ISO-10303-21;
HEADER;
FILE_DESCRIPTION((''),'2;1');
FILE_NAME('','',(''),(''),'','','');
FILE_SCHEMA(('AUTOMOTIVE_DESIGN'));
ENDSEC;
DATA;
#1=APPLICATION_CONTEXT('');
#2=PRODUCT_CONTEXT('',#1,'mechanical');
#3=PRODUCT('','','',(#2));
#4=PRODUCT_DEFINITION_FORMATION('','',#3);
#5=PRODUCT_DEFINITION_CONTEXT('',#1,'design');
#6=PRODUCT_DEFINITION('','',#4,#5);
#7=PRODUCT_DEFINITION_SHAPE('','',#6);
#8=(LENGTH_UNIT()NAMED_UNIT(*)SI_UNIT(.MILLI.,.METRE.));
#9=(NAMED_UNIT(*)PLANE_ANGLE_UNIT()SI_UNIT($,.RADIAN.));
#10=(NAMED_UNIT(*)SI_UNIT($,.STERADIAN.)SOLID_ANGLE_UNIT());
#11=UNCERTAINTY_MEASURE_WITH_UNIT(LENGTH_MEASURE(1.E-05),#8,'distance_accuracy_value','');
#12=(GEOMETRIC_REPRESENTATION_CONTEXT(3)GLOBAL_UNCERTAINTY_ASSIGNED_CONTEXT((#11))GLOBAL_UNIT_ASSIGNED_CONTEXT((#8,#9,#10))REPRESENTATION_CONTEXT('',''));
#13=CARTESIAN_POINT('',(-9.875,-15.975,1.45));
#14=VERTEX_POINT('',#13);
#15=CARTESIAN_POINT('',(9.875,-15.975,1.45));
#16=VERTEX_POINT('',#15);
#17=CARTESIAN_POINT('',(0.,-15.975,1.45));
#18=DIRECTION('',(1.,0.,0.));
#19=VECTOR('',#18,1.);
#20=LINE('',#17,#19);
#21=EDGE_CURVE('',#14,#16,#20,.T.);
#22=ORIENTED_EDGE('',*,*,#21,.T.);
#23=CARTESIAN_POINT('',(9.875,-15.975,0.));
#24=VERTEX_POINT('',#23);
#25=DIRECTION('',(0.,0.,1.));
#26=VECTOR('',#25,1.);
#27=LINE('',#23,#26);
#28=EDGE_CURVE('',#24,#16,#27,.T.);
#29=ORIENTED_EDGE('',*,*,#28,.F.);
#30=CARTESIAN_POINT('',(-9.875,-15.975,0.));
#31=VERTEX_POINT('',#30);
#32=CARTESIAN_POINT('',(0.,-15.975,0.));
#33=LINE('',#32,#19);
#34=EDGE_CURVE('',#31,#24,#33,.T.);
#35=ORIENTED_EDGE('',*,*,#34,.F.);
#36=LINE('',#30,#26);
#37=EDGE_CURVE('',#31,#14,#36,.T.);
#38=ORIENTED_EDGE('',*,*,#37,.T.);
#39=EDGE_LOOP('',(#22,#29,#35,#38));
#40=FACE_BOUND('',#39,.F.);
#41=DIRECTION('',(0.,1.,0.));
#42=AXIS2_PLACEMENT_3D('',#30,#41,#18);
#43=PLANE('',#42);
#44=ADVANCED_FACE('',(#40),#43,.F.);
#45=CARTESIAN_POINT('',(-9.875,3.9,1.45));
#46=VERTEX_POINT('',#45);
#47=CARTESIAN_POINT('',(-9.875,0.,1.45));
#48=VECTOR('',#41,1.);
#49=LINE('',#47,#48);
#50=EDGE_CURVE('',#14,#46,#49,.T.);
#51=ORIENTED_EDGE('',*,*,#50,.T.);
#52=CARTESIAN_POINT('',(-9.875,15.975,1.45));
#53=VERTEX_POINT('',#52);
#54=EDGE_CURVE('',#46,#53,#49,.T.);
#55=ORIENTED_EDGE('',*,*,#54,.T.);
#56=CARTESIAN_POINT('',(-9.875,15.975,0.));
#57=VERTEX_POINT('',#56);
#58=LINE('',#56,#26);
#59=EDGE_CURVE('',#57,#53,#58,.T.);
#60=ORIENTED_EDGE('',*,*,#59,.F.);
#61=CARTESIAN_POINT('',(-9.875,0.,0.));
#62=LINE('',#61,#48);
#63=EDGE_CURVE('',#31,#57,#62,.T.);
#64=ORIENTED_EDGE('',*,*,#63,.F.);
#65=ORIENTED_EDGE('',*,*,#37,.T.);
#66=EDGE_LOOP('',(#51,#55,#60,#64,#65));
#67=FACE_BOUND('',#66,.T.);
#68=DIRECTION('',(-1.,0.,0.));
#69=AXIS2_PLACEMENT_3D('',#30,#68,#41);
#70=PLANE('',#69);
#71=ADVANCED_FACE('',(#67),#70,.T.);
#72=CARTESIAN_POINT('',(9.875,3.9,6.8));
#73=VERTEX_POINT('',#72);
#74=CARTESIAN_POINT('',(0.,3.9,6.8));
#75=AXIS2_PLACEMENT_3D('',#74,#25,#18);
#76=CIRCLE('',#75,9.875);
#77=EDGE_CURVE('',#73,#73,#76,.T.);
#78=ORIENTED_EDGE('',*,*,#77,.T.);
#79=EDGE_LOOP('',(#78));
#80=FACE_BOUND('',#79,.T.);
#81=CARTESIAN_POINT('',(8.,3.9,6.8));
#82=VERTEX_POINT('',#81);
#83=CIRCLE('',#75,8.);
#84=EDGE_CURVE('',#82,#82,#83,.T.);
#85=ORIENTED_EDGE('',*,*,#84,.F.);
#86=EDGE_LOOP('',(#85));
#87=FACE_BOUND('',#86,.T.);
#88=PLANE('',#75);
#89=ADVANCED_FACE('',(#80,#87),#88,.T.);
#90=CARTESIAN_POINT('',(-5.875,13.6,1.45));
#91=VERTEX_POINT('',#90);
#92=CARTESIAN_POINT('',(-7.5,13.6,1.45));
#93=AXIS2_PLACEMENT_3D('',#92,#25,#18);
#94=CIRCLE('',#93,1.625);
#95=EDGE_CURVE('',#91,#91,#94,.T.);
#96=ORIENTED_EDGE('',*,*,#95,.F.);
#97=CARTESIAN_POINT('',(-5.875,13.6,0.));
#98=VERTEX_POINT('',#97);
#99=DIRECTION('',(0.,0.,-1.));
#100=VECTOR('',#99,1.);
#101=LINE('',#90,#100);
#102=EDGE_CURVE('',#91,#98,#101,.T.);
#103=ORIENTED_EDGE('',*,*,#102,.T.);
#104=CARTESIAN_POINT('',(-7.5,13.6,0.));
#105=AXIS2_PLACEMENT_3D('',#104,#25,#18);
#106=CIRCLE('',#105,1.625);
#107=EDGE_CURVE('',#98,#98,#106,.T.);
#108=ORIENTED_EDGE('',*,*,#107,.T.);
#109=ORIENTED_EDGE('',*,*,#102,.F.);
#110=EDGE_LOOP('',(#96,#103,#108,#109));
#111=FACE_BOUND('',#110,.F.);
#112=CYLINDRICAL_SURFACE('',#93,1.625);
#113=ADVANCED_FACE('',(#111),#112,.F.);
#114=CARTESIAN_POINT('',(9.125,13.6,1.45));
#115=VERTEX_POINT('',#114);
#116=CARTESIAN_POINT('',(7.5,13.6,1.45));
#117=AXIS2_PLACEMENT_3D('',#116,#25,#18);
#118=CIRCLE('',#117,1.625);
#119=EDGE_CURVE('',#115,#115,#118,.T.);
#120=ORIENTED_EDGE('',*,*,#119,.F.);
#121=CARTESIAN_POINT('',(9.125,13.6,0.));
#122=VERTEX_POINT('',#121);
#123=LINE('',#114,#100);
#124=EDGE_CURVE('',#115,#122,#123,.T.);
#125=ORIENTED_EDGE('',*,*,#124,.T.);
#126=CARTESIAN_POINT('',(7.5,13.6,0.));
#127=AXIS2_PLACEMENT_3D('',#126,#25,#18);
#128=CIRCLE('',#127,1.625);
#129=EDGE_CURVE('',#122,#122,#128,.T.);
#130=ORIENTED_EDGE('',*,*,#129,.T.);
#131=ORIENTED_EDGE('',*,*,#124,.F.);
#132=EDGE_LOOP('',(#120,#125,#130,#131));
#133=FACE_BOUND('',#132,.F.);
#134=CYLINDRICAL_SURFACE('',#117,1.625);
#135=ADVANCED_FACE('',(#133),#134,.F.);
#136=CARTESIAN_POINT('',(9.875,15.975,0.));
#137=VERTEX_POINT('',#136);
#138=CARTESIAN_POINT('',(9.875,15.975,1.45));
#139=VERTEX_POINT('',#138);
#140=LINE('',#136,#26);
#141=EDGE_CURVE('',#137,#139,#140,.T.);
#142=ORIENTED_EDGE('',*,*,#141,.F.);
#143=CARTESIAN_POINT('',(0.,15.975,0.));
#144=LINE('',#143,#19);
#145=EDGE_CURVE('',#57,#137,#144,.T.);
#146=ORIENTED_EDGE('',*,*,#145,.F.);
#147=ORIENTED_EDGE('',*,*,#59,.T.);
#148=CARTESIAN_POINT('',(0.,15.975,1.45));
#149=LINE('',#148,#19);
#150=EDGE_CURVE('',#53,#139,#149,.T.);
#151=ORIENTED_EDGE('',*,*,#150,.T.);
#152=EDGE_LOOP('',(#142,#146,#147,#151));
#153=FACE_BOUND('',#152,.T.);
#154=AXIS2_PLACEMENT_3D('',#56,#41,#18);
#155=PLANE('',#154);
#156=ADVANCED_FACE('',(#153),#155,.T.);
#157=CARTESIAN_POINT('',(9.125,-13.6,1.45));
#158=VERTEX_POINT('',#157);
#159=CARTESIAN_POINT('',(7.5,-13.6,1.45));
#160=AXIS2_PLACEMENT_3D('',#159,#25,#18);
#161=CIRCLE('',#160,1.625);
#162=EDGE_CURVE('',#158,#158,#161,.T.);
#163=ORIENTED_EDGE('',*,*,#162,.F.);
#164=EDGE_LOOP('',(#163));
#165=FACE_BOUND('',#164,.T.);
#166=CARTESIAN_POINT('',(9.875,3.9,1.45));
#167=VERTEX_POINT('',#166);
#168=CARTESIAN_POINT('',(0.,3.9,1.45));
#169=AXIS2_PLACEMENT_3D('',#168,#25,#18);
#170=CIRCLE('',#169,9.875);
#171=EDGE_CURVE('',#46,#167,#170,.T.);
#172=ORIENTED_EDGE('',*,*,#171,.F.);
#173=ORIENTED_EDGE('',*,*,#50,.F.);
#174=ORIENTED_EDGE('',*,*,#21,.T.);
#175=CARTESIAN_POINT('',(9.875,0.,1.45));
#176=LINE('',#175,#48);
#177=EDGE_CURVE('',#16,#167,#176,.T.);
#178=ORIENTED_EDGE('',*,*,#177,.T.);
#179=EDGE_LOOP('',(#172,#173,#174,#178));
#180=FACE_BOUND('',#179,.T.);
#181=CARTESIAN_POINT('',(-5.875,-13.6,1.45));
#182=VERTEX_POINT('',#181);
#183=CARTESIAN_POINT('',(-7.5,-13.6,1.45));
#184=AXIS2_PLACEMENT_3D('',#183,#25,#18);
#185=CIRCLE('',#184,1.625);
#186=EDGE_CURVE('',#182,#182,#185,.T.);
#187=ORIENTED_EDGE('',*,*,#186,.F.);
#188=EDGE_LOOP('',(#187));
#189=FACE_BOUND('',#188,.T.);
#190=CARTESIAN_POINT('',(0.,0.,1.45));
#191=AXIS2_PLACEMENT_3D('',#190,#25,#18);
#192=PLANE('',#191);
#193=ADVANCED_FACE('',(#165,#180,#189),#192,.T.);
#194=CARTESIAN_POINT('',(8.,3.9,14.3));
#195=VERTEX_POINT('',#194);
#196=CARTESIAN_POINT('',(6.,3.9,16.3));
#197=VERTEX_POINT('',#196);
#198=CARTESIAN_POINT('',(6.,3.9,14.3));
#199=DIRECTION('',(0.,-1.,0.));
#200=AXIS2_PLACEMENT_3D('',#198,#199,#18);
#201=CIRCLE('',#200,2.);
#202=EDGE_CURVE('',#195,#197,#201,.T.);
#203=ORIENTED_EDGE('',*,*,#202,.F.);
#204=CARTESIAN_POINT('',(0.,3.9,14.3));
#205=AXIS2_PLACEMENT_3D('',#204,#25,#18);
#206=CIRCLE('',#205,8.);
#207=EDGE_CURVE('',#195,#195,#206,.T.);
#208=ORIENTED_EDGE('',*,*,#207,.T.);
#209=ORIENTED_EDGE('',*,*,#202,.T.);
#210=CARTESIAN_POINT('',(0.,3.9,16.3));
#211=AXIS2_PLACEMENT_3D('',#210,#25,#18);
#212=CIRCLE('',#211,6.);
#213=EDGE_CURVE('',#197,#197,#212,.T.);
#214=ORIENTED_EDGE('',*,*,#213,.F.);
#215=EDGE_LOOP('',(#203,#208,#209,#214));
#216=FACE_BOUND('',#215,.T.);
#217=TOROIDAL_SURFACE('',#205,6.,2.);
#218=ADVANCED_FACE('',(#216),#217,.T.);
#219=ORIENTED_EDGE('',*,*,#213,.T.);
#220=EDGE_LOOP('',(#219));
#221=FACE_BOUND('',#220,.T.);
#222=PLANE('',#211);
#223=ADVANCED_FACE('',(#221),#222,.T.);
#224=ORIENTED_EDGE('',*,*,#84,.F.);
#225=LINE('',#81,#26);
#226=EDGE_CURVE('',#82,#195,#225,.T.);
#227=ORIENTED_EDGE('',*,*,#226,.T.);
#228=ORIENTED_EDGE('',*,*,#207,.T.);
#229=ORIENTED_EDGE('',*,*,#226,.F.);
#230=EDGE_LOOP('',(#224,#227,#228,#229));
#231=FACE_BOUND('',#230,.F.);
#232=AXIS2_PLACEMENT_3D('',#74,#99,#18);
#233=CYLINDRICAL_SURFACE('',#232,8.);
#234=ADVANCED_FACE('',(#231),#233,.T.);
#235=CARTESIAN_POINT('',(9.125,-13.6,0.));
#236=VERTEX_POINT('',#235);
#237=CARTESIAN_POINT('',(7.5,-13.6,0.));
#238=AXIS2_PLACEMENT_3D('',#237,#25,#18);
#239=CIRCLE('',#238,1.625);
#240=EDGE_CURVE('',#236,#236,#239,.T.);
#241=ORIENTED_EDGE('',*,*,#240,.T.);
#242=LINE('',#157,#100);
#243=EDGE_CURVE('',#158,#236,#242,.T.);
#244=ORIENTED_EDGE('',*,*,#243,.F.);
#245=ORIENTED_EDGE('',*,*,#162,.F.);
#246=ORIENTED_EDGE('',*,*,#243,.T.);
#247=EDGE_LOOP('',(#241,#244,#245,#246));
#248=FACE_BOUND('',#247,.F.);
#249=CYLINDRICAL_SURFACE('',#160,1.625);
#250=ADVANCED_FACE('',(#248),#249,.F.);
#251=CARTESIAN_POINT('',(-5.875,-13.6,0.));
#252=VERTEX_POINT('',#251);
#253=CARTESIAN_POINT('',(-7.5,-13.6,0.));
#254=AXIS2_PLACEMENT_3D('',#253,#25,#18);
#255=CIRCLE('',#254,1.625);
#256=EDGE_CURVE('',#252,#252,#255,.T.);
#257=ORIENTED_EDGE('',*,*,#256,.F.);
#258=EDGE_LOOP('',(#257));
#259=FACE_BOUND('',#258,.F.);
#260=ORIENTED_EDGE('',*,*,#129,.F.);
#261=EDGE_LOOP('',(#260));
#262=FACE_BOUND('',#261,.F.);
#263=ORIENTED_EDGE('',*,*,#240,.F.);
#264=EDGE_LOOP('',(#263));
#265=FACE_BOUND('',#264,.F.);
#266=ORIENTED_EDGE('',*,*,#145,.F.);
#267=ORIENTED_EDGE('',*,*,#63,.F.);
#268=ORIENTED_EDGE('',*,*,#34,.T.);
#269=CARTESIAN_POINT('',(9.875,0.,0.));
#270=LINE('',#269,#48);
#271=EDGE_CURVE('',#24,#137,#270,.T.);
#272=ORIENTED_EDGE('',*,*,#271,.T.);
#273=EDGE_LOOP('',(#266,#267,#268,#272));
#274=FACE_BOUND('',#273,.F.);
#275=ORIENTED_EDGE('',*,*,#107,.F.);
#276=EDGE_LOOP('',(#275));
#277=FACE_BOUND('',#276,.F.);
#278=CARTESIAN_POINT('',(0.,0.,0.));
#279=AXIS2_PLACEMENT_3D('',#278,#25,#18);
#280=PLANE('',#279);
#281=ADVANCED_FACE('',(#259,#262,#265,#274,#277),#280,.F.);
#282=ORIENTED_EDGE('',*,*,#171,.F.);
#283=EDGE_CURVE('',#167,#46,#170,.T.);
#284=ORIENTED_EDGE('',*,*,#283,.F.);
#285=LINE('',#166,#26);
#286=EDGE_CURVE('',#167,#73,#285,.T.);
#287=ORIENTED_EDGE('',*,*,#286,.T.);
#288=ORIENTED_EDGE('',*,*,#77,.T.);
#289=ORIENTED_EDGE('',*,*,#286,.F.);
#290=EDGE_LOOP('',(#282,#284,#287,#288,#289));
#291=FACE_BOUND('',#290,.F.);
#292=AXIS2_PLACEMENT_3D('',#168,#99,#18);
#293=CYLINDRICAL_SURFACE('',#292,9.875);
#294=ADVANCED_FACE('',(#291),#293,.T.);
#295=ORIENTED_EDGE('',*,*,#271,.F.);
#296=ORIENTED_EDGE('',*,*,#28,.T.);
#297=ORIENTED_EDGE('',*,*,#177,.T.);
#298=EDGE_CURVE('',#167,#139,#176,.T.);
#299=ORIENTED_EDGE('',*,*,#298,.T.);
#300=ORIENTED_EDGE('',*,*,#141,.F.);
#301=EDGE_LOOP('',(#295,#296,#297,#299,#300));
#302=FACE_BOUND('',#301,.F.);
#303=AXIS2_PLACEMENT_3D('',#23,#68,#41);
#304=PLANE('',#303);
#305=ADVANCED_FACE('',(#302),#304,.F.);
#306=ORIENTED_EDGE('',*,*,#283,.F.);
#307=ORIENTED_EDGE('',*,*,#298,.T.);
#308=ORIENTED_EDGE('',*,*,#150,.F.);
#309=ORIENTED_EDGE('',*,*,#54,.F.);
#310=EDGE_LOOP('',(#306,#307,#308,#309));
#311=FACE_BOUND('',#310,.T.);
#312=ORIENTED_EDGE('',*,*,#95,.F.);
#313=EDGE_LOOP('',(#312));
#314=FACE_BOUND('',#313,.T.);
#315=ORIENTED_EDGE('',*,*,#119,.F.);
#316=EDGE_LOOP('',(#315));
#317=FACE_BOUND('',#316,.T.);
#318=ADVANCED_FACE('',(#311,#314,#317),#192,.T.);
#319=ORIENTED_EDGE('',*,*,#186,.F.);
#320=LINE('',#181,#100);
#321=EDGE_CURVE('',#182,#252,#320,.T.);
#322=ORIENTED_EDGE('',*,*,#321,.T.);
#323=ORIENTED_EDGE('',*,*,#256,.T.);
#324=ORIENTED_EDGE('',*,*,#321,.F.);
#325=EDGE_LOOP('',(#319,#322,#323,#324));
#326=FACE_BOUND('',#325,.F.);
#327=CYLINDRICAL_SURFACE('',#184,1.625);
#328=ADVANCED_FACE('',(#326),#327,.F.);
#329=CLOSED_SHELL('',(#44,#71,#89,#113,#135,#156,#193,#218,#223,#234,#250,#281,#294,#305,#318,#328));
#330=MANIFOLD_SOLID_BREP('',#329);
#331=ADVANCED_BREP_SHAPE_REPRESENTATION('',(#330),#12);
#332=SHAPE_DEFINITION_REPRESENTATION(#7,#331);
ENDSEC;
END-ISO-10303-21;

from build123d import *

# Parameters (mm, degrees)
SKETCH1_W           = 19.75
SKETCH1_H           = 31.95
BOSS_EXTRUDE1_DEPTH = 1.45
SKETCH2_R           = 1.625
CUT_EXTRUDE1_DEPTH  = 2.45
SKETCH3_R           = 9.875
BOSS_EXTRUDE2_DEPTH = 5.35
SKETCH4_R           = 8
BOSS_EXTRUDE3_DEPTH = 9.5
FILLET1_R           = 2


with BuildPart() as part:
    # Sketch1 → Boss-Extrude1 (new body)
    with BuildSketch(Plane.XY):
        Rectangle(SKETCH1_W, SKETCH1_H)
    extrude(amount=BOSS_EXTRUDE1_DEPTH)

    # Sketch2 → Cut-Extrude1 (cut, through all)
    with BuildSketch(Plane.XY.offset(1.45)):
        with Locations((-7.5, 13.6)):
            Circle(SKETCH2_R)
        with Locations((-7.5, -13.6)):
            Circle(SKETCH2_R)
        with Locations((7.5, -13.6)):
            Circle(SKETCH2_R)
        with Locations((7.5, 13.6)):
            Circle(SKETCH2_R)
    extrude(amount=-CUT_EXTRUDE1_DEPTH, mode=Mode.SUBTRACT)

    # Sketch3 → Boss-Extrude2 (add)
    with BuildSketch(Plane.XY.offset(1.45)):
        with Locations((0, 3.9)):
            Circle(SKETCH3_R)
    extrude(amount=BOSS_EXTRUDE2_DEPTH)

    # Sketch4 → Boss-Extrude3 (add)
    with BuildSketch(Plane.XY.offset(6.8)):
        with Locations((0, 3.9)):
            Circle(SKETCH4_R)
    extrude(amount=BOSS_EXTRUDE3_DEPTH)

    # Fillet1
    fillet1_edges = [part.edges().sort_by_distance(p)[0] for p in [
        (-8, 3.9, 16.3),
    ]]
    fillet(fillet1_edges, radius=FILLET1_R)


solid = part.part
